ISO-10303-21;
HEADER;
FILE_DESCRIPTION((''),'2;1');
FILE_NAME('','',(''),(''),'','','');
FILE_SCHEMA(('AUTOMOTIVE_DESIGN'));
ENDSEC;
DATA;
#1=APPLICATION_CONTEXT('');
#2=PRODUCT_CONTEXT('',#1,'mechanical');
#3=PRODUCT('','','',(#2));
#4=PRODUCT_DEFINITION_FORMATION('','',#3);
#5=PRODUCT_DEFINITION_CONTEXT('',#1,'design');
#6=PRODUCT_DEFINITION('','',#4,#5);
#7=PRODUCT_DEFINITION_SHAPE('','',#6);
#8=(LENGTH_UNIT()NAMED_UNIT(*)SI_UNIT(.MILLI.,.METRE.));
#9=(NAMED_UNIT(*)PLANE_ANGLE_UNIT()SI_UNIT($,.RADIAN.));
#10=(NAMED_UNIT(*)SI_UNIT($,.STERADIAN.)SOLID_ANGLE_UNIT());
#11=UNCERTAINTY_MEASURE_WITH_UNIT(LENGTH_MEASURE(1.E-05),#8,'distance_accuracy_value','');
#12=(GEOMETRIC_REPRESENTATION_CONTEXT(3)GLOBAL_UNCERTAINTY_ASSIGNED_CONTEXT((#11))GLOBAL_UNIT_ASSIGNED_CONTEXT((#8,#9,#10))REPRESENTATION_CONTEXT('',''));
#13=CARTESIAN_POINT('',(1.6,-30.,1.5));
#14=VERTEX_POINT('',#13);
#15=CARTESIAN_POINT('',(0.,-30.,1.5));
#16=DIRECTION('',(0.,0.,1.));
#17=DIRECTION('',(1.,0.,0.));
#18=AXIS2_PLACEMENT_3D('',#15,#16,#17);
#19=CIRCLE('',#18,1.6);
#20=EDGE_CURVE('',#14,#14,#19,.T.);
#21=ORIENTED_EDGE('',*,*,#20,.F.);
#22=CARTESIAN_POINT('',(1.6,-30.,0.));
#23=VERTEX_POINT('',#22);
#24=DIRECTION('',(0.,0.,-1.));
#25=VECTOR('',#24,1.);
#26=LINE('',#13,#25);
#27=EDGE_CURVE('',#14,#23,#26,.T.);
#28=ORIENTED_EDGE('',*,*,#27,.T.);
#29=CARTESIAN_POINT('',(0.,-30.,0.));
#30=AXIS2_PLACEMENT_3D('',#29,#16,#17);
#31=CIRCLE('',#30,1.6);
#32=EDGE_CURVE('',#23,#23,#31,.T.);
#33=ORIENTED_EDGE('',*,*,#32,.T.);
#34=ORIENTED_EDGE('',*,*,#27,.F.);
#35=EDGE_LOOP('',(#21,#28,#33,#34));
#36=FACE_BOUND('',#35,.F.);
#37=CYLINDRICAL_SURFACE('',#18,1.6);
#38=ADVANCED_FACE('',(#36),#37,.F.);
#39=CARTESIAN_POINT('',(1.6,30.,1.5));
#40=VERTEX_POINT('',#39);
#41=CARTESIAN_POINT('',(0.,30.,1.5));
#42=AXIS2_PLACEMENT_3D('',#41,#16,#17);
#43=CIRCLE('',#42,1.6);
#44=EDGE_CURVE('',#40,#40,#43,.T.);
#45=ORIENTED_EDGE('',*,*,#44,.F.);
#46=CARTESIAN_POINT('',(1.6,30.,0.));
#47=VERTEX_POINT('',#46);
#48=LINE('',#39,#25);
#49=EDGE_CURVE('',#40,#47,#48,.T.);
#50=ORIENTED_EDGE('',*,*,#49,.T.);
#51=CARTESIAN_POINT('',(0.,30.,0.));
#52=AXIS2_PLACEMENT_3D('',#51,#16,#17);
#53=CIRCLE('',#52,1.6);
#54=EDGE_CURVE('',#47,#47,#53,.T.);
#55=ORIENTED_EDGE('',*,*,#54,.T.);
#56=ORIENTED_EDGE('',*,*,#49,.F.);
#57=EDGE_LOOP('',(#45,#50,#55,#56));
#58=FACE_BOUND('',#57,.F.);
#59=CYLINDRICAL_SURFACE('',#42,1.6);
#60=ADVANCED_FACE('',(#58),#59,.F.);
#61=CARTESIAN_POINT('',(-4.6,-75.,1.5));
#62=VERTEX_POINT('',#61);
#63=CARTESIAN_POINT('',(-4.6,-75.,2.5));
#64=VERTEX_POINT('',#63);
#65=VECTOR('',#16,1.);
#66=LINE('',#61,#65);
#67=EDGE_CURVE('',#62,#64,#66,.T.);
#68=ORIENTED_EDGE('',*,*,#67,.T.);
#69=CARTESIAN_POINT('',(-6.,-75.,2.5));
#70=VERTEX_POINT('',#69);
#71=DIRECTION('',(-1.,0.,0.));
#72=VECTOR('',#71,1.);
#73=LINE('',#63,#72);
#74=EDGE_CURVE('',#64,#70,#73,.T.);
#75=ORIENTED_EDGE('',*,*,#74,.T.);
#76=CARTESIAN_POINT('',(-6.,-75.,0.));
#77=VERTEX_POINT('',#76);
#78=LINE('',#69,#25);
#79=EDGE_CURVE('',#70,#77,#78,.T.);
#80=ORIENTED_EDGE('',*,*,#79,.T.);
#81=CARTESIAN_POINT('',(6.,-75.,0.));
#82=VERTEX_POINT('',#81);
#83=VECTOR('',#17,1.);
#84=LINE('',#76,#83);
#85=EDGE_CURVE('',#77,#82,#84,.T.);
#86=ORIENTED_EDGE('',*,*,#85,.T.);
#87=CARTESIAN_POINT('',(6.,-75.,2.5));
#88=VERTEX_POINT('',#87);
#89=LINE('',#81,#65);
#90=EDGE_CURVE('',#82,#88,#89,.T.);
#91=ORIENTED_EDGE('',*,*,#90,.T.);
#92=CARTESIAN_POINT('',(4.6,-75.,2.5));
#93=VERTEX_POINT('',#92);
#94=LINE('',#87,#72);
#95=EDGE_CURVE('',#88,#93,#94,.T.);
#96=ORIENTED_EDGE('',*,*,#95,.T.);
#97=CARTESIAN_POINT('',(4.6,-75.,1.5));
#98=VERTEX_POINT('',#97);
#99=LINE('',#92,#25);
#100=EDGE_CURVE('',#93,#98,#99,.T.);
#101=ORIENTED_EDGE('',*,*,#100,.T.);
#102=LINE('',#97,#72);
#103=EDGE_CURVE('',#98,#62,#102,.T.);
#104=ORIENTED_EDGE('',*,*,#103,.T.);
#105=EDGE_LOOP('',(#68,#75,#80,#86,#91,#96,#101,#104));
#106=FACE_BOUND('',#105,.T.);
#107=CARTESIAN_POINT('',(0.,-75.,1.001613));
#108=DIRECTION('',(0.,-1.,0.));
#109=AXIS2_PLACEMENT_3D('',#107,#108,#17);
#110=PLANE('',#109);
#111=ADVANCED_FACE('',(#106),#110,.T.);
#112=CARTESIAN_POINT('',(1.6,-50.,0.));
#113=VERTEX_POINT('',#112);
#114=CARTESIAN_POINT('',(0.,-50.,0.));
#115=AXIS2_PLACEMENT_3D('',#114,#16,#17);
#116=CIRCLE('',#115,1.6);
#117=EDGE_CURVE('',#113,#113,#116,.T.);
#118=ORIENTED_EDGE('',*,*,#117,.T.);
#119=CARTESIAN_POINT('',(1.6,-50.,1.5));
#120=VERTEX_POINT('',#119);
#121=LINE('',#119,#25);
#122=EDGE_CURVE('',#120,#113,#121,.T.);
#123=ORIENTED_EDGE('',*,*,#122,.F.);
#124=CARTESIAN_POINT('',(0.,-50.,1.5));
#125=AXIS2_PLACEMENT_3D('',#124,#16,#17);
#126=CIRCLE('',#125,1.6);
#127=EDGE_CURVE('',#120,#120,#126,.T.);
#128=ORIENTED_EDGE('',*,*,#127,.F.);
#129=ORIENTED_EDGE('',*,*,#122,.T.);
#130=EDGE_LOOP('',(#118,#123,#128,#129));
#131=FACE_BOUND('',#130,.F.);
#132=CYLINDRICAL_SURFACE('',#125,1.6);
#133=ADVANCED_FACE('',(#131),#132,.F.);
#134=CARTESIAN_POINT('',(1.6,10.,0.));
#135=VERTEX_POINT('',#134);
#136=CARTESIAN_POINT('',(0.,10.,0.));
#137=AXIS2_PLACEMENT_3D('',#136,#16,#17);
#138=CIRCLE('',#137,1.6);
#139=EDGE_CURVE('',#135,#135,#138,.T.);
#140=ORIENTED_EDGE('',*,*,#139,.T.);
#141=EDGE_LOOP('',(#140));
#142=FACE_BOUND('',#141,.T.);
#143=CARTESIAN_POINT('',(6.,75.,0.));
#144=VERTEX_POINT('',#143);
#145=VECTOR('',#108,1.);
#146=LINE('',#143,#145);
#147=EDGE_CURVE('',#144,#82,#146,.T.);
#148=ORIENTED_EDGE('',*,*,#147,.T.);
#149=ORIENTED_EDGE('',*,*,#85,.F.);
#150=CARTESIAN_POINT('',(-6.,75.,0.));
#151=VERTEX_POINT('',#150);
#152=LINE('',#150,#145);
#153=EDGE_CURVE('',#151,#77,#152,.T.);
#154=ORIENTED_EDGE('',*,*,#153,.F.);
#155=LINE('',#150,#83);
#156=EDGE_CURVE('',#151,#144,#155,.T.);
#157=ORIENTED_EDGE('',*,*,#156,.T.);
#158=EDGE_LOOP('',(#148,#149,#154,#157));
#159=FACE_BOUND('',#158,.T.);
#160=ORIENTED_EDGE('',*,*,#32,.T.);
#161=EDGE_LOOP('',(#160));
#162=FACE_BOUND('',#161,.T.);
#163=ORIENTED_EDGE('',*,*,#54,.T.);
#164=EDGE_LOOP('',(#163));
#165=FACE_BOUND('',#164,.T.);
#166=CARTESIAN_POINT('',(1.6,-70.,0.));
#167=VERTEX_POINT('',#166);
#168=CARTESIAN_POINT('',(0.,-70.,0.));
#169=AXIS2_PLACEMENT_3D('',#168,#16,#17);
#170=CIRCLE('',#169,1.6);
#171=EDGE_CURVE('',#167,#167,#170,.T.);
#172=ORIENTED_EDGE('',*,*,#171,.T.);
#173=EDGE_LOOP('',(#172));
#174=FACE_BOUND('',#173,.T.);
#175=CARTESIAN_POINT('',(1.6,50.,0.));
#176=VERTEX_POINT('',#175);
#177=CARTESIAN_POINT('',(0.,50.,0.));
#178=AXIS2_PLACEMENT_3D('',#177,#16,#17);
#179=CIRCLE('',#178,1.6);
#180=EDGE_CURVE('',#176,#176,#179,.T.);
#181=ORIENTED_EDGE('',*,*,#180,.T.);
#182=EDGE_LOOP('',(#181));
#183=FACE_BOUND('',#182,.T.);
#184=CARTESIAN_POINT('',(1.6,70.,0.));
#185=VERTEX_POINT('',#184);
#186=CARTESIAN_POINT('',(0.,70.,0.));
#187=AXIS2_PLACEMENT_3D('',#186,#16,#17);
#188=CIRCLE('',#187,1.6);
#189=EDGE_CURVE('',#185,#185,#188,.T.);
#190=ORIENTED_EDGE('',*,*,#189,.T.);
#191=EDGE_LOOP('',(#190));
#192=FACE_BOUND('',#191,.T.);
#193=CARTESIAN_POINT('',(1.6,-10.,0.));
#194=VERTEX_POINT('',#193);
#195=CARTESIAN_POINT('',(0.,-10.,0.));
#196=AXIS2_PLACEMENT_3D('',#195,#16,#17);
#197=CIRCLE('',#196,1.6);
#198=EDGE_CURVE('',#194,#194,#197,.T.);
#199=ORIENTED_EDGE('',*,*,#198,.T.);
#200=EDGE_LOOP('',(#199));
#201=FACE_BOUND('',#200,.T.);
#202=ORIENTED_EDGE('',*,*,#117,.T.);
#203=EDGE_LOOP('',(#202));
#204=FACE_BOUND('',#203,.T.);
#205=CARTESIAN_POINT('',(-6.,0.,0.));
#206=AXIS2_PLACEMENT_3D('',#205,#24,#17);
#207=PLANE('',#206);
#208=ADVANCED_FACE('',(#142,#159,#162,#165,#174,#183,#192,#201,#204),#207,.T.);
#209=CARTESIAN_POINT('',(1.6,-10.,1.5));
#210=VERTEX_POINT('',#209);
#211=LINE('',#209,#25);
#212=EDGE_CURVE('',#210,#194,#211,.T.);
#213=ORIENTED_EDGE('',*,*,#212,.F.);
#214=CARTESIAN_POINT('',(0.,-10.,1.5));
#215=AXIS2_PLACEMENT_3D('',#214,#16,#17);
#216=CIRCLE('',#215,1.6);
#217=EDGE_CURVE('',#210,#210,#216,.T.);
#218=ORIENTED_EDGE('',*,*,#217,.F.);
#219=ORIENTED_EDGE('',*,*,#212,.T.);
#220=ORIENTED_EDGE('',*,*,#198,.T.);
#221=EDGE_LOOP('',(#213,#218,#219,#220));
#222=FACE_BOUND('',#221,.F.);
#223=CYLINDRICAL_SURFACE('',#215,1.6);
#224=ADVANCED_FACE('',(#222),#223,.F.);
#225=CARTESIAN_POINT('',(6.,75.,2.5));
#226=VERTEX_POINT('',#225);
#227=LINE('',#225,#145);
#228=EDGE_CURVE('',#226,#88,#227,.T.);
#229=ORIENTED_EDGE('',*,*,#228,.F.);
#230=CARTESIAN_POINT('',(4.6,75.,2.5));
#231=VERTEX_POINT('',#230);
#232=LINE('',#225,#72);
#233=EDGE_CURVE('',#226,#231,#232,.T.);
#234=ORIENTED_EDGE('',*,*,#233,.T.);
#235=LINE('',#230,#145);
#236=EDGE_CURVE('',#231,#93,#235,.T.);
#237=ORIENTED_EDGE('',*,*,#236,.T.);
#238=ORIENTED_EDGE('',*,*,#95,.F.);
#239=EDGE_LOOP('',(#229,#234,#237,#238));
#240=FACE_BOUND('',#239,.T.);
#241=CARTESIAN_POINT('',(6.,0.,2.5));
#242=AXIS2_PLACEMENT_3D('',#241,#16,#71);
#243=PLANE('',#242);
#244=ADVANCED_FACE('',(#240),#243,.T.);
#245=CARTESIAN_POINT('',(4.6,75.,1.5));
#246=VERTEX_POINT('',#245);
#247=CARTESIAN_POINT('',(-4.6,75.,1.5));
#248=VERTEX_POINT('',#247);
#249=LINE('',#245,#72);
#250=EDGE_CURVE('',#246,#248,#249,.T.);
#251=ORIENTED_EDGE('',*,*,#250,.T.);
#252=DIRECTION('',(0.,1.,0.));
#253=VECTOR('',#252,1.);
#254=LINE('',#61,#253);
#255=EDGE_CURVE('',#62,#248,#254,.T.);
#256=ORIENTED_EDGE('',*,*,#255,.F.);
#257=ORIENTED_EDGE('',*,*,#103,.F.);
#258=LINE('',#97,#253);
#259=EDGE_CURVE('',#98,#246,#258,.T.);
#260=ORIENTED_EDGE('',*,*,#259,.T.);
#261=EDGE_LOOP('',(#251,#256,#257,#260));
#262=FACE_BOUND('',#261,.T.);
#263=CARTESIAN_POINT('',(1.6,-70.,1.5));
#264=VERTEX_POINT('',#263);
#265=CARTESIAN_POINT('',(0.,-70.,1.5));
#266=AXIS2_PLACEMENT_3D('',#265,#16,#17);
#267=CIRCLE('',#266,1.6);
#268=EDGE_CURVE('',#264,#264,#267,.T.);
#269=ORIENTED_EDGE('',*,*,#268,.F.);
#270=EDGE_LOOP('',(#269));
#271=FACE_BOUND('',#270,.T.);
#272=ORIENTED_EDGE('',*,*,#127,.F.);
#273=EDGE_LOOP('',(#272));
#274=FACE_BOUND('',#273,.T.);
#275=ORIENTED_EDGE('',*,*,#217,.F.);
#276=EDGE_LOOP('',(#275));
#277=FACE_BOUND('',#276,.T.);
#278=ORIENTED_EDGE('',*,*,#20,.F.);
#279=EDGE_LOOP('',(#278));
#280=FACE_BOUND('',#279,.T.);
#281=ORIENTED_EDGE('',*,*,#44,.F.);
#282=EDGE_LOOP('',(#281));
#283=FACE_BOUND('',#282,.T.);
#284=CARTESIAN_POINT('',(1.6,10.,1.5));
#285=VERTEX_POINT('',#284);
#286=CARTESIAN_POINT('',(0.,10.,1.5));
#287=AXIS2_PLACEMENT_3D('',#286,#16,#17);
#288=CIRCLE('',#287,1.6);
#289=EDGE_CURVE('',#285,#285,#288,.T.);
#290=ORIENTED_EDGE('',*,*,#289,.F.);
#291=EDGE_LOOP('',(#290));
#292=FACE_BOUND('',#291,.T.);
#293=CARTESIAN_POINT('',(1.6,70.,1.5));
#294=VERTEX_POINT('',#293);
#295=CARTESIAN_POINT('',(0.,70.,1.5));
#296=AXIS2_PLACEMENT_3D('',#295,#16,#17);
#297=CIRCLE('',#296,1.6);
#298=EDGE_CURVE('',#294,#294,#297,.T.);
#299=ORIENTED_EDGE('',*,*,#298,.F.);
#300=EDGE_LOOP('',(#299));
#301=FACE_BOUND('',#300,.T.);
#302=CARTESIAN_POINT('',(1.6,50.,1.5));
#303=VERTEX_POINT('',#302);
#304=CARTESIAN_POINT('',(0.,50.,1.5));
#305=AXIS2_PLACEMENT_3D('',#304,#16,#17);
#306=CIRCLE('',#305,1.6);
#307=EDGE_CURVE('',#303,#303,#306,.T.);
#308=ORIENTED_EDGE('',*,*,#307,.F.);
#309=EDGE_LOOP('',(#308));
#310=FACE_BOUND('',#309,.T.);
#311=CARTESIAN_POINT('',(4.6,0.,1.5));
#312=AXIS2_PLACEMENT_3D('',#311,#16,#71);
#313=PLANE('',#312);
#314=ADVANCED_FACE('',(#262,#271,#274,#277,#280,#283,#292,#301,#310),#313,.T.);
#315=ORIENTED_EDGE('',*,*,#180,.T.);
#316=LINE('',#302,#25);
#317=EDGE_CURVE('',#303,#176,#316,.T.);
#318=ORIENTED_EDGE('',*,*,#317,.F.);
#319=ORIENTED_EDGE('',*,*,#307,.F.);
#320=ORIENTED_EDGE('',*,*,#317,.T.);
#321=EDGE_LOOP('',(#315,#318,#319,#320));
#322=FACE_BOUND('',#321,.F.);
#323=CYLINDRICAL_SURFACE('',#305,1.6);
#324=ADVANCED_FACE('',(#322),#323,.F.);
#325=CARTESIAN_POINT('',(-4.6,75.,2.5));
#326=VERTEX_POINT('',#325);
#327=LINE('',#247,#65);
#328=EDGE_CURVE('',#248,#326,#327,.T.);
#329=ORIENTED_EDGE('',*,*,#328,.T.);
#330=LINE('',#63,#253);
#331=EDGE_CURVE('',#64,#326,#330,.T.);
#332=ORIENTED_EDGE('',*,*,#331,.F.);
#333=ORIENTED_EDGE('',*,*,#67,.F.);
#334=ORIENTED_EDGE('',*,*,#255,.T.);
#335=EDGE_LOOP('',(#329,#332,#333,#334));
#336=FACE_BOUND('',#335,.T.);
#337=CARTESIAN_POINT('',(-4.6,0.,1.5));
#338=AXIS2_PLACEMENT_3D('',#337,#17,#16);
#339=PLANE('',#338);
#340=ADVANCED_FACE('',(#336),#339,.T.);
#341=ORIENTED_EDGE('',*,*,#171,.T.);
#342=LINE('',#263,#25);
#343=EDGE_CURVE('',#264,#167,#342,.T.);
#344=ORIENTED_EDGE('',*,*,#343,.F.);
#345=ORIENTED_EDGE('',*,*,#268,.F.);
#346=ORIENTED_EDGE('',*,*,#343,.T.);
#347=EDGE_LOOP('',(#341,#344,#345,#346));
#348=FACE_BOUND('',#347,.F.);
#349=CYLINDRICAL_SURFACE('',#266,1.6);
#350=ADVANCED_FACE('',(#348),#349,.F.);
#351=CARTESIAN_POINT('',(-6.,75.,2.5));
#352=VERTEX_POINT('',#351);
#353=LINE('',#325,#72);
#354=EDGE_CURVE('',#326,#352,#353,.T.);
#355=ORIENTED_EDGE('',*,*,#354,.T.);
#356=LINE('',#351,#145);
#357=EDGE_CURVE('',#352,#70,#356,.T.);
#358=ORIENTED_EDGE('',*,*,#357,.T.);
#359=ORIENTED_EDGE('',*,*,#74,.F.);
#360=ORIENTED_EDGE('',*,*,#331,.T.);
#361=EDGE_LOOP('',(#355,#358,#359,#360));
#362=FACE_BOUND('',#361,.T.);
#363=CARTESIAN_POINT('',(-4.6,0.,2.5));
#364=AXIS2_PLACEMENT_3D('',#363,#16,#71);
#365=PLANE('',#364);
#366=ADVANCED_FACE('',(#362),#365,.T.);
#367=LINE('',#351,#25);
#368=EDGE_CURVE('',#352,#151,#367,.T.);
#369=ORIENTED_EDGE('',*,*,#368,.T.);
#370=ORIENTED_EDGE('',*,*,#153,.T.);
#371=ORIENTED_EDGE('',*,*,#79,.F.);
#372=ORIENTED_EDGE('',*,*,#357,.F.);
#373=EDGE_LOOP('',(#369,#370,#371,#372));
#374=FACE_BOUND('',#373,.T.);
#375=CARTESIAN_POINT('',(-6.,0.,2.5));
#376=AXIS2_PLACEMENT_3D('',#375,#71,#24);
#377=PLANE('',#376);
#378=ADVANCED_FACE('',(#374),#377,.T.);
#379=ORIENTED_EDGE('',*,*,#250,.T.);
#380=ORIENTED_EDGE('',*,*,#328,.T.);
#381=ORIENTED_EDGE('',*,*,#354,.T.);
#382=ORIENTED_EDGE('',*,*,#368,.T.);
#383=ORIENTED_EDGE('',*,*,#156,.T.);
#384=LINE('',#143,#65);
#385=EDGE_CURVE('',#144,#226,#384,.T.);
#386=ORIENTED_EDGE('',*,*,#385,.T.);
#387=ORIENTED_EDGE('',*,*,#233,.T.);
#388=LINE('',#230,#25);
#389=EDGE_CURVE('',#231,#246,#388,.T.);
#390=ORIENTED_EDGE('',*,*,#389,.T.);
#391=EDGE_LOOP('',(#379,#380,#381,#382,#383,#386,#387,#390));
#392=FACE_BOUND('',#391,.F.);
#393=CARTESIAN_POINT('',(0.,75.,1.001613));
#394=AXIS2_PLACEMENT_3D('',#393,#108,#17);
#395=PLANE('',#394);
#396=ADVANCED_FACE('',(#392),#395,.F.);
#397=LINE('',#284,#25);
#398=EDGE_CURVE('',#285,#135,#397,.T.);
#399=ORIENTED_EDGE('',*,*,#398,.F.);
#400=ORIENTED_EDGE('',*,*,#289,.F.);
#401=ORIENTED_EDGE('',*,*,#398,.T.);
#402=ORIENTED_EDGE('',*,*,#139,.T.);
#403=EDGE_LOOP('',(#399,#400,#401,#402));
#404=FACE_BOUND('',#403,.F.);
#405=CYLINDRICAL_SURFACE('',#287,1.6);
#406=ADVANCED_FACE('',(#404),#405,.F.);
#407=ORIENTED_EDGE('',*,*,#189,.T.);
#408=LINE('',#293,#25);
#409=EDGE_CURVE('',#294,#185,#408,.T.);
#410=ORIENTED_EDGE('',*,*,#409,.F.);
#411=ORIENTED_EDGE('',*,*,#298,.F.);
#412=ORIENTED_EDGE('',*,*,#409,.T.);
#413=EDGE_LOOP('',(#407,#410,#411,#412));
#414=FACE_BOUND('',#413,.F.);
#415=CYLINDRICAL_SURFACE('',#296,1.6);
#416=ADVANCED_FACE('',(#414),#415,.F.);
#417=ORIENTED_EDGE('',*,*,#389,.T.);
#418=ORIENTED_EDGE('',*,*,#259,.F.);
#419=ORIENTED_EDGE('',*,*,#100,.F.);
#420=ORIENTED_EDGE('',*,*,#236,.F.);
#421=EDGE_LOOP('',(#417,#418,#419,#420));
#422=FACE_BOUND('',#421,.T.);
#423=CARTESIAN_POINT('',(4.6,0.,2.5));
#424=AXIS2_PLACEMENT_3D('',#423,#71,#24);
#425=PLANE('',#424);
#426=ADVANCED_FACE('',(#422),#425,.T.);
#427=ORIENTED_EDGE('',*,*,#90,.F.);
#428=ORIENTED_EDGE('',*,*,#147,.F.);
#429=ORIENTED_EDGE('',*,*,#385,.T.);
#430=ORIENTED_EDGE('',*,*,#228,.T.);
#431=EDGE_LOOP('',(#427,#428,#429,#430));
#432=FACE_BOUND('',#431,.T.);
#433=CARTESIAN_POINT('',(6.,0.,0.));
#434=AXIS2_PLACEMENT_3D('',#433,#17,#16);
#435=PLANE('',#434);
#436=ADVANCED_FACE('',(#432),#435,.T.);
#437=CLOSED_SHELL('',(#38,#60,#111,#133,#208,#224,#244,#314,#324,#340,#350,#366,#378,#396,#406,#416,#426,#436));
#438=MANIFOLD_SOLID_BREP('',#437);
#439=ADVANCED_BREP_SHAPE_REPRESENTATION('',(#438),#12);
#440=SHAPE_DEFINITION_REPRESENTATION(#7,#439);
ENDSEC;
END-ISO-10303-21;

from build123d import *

# Parameters (mm, degrees)
F1_DEPTH = 75
F2_R     = 1.6
F3_DEPTH = 1.5


with BuildPart() as f1:
    # F0 (on Front) → F1 (new body, symmetric)
    with BuildSketch(Plane.XZ):
        Polygon((-4.6, 2.5), (-6, 2.5), (-6, 0), (6, 0), (6, 2.5), (4.6, 2.5), (4.6, 1.5), (-4.6, 1.5), align=None)
    extrude(amount=F1_DEPTH, both=True)

    # F2 (on face) → F3 (cut, through all)
    with BuildSketch(Plane.XY.offset(1.5)):
        with Locations((0, -70)):
            Circle(F2_R)
        with Locations((0, -50)):
            Circle(F2_R)
        with Locations((0, -30)):
            Circle(F2_R)
        with Locations((0, -10)):
            Circle(F2_R)
        with Locations((0, 10)):
            Circle(F2_R)
        with Locations((0, 30)):
            Circle(F2_R)
        with Locations((0, 50)):
            Circle(F2_R)
        with Locations((0, 70)):
            Circle(F2_R)
    extrude(amount=-F3_DEPTH, mode=Mode.SUBTRACT)


solid = f1.part
